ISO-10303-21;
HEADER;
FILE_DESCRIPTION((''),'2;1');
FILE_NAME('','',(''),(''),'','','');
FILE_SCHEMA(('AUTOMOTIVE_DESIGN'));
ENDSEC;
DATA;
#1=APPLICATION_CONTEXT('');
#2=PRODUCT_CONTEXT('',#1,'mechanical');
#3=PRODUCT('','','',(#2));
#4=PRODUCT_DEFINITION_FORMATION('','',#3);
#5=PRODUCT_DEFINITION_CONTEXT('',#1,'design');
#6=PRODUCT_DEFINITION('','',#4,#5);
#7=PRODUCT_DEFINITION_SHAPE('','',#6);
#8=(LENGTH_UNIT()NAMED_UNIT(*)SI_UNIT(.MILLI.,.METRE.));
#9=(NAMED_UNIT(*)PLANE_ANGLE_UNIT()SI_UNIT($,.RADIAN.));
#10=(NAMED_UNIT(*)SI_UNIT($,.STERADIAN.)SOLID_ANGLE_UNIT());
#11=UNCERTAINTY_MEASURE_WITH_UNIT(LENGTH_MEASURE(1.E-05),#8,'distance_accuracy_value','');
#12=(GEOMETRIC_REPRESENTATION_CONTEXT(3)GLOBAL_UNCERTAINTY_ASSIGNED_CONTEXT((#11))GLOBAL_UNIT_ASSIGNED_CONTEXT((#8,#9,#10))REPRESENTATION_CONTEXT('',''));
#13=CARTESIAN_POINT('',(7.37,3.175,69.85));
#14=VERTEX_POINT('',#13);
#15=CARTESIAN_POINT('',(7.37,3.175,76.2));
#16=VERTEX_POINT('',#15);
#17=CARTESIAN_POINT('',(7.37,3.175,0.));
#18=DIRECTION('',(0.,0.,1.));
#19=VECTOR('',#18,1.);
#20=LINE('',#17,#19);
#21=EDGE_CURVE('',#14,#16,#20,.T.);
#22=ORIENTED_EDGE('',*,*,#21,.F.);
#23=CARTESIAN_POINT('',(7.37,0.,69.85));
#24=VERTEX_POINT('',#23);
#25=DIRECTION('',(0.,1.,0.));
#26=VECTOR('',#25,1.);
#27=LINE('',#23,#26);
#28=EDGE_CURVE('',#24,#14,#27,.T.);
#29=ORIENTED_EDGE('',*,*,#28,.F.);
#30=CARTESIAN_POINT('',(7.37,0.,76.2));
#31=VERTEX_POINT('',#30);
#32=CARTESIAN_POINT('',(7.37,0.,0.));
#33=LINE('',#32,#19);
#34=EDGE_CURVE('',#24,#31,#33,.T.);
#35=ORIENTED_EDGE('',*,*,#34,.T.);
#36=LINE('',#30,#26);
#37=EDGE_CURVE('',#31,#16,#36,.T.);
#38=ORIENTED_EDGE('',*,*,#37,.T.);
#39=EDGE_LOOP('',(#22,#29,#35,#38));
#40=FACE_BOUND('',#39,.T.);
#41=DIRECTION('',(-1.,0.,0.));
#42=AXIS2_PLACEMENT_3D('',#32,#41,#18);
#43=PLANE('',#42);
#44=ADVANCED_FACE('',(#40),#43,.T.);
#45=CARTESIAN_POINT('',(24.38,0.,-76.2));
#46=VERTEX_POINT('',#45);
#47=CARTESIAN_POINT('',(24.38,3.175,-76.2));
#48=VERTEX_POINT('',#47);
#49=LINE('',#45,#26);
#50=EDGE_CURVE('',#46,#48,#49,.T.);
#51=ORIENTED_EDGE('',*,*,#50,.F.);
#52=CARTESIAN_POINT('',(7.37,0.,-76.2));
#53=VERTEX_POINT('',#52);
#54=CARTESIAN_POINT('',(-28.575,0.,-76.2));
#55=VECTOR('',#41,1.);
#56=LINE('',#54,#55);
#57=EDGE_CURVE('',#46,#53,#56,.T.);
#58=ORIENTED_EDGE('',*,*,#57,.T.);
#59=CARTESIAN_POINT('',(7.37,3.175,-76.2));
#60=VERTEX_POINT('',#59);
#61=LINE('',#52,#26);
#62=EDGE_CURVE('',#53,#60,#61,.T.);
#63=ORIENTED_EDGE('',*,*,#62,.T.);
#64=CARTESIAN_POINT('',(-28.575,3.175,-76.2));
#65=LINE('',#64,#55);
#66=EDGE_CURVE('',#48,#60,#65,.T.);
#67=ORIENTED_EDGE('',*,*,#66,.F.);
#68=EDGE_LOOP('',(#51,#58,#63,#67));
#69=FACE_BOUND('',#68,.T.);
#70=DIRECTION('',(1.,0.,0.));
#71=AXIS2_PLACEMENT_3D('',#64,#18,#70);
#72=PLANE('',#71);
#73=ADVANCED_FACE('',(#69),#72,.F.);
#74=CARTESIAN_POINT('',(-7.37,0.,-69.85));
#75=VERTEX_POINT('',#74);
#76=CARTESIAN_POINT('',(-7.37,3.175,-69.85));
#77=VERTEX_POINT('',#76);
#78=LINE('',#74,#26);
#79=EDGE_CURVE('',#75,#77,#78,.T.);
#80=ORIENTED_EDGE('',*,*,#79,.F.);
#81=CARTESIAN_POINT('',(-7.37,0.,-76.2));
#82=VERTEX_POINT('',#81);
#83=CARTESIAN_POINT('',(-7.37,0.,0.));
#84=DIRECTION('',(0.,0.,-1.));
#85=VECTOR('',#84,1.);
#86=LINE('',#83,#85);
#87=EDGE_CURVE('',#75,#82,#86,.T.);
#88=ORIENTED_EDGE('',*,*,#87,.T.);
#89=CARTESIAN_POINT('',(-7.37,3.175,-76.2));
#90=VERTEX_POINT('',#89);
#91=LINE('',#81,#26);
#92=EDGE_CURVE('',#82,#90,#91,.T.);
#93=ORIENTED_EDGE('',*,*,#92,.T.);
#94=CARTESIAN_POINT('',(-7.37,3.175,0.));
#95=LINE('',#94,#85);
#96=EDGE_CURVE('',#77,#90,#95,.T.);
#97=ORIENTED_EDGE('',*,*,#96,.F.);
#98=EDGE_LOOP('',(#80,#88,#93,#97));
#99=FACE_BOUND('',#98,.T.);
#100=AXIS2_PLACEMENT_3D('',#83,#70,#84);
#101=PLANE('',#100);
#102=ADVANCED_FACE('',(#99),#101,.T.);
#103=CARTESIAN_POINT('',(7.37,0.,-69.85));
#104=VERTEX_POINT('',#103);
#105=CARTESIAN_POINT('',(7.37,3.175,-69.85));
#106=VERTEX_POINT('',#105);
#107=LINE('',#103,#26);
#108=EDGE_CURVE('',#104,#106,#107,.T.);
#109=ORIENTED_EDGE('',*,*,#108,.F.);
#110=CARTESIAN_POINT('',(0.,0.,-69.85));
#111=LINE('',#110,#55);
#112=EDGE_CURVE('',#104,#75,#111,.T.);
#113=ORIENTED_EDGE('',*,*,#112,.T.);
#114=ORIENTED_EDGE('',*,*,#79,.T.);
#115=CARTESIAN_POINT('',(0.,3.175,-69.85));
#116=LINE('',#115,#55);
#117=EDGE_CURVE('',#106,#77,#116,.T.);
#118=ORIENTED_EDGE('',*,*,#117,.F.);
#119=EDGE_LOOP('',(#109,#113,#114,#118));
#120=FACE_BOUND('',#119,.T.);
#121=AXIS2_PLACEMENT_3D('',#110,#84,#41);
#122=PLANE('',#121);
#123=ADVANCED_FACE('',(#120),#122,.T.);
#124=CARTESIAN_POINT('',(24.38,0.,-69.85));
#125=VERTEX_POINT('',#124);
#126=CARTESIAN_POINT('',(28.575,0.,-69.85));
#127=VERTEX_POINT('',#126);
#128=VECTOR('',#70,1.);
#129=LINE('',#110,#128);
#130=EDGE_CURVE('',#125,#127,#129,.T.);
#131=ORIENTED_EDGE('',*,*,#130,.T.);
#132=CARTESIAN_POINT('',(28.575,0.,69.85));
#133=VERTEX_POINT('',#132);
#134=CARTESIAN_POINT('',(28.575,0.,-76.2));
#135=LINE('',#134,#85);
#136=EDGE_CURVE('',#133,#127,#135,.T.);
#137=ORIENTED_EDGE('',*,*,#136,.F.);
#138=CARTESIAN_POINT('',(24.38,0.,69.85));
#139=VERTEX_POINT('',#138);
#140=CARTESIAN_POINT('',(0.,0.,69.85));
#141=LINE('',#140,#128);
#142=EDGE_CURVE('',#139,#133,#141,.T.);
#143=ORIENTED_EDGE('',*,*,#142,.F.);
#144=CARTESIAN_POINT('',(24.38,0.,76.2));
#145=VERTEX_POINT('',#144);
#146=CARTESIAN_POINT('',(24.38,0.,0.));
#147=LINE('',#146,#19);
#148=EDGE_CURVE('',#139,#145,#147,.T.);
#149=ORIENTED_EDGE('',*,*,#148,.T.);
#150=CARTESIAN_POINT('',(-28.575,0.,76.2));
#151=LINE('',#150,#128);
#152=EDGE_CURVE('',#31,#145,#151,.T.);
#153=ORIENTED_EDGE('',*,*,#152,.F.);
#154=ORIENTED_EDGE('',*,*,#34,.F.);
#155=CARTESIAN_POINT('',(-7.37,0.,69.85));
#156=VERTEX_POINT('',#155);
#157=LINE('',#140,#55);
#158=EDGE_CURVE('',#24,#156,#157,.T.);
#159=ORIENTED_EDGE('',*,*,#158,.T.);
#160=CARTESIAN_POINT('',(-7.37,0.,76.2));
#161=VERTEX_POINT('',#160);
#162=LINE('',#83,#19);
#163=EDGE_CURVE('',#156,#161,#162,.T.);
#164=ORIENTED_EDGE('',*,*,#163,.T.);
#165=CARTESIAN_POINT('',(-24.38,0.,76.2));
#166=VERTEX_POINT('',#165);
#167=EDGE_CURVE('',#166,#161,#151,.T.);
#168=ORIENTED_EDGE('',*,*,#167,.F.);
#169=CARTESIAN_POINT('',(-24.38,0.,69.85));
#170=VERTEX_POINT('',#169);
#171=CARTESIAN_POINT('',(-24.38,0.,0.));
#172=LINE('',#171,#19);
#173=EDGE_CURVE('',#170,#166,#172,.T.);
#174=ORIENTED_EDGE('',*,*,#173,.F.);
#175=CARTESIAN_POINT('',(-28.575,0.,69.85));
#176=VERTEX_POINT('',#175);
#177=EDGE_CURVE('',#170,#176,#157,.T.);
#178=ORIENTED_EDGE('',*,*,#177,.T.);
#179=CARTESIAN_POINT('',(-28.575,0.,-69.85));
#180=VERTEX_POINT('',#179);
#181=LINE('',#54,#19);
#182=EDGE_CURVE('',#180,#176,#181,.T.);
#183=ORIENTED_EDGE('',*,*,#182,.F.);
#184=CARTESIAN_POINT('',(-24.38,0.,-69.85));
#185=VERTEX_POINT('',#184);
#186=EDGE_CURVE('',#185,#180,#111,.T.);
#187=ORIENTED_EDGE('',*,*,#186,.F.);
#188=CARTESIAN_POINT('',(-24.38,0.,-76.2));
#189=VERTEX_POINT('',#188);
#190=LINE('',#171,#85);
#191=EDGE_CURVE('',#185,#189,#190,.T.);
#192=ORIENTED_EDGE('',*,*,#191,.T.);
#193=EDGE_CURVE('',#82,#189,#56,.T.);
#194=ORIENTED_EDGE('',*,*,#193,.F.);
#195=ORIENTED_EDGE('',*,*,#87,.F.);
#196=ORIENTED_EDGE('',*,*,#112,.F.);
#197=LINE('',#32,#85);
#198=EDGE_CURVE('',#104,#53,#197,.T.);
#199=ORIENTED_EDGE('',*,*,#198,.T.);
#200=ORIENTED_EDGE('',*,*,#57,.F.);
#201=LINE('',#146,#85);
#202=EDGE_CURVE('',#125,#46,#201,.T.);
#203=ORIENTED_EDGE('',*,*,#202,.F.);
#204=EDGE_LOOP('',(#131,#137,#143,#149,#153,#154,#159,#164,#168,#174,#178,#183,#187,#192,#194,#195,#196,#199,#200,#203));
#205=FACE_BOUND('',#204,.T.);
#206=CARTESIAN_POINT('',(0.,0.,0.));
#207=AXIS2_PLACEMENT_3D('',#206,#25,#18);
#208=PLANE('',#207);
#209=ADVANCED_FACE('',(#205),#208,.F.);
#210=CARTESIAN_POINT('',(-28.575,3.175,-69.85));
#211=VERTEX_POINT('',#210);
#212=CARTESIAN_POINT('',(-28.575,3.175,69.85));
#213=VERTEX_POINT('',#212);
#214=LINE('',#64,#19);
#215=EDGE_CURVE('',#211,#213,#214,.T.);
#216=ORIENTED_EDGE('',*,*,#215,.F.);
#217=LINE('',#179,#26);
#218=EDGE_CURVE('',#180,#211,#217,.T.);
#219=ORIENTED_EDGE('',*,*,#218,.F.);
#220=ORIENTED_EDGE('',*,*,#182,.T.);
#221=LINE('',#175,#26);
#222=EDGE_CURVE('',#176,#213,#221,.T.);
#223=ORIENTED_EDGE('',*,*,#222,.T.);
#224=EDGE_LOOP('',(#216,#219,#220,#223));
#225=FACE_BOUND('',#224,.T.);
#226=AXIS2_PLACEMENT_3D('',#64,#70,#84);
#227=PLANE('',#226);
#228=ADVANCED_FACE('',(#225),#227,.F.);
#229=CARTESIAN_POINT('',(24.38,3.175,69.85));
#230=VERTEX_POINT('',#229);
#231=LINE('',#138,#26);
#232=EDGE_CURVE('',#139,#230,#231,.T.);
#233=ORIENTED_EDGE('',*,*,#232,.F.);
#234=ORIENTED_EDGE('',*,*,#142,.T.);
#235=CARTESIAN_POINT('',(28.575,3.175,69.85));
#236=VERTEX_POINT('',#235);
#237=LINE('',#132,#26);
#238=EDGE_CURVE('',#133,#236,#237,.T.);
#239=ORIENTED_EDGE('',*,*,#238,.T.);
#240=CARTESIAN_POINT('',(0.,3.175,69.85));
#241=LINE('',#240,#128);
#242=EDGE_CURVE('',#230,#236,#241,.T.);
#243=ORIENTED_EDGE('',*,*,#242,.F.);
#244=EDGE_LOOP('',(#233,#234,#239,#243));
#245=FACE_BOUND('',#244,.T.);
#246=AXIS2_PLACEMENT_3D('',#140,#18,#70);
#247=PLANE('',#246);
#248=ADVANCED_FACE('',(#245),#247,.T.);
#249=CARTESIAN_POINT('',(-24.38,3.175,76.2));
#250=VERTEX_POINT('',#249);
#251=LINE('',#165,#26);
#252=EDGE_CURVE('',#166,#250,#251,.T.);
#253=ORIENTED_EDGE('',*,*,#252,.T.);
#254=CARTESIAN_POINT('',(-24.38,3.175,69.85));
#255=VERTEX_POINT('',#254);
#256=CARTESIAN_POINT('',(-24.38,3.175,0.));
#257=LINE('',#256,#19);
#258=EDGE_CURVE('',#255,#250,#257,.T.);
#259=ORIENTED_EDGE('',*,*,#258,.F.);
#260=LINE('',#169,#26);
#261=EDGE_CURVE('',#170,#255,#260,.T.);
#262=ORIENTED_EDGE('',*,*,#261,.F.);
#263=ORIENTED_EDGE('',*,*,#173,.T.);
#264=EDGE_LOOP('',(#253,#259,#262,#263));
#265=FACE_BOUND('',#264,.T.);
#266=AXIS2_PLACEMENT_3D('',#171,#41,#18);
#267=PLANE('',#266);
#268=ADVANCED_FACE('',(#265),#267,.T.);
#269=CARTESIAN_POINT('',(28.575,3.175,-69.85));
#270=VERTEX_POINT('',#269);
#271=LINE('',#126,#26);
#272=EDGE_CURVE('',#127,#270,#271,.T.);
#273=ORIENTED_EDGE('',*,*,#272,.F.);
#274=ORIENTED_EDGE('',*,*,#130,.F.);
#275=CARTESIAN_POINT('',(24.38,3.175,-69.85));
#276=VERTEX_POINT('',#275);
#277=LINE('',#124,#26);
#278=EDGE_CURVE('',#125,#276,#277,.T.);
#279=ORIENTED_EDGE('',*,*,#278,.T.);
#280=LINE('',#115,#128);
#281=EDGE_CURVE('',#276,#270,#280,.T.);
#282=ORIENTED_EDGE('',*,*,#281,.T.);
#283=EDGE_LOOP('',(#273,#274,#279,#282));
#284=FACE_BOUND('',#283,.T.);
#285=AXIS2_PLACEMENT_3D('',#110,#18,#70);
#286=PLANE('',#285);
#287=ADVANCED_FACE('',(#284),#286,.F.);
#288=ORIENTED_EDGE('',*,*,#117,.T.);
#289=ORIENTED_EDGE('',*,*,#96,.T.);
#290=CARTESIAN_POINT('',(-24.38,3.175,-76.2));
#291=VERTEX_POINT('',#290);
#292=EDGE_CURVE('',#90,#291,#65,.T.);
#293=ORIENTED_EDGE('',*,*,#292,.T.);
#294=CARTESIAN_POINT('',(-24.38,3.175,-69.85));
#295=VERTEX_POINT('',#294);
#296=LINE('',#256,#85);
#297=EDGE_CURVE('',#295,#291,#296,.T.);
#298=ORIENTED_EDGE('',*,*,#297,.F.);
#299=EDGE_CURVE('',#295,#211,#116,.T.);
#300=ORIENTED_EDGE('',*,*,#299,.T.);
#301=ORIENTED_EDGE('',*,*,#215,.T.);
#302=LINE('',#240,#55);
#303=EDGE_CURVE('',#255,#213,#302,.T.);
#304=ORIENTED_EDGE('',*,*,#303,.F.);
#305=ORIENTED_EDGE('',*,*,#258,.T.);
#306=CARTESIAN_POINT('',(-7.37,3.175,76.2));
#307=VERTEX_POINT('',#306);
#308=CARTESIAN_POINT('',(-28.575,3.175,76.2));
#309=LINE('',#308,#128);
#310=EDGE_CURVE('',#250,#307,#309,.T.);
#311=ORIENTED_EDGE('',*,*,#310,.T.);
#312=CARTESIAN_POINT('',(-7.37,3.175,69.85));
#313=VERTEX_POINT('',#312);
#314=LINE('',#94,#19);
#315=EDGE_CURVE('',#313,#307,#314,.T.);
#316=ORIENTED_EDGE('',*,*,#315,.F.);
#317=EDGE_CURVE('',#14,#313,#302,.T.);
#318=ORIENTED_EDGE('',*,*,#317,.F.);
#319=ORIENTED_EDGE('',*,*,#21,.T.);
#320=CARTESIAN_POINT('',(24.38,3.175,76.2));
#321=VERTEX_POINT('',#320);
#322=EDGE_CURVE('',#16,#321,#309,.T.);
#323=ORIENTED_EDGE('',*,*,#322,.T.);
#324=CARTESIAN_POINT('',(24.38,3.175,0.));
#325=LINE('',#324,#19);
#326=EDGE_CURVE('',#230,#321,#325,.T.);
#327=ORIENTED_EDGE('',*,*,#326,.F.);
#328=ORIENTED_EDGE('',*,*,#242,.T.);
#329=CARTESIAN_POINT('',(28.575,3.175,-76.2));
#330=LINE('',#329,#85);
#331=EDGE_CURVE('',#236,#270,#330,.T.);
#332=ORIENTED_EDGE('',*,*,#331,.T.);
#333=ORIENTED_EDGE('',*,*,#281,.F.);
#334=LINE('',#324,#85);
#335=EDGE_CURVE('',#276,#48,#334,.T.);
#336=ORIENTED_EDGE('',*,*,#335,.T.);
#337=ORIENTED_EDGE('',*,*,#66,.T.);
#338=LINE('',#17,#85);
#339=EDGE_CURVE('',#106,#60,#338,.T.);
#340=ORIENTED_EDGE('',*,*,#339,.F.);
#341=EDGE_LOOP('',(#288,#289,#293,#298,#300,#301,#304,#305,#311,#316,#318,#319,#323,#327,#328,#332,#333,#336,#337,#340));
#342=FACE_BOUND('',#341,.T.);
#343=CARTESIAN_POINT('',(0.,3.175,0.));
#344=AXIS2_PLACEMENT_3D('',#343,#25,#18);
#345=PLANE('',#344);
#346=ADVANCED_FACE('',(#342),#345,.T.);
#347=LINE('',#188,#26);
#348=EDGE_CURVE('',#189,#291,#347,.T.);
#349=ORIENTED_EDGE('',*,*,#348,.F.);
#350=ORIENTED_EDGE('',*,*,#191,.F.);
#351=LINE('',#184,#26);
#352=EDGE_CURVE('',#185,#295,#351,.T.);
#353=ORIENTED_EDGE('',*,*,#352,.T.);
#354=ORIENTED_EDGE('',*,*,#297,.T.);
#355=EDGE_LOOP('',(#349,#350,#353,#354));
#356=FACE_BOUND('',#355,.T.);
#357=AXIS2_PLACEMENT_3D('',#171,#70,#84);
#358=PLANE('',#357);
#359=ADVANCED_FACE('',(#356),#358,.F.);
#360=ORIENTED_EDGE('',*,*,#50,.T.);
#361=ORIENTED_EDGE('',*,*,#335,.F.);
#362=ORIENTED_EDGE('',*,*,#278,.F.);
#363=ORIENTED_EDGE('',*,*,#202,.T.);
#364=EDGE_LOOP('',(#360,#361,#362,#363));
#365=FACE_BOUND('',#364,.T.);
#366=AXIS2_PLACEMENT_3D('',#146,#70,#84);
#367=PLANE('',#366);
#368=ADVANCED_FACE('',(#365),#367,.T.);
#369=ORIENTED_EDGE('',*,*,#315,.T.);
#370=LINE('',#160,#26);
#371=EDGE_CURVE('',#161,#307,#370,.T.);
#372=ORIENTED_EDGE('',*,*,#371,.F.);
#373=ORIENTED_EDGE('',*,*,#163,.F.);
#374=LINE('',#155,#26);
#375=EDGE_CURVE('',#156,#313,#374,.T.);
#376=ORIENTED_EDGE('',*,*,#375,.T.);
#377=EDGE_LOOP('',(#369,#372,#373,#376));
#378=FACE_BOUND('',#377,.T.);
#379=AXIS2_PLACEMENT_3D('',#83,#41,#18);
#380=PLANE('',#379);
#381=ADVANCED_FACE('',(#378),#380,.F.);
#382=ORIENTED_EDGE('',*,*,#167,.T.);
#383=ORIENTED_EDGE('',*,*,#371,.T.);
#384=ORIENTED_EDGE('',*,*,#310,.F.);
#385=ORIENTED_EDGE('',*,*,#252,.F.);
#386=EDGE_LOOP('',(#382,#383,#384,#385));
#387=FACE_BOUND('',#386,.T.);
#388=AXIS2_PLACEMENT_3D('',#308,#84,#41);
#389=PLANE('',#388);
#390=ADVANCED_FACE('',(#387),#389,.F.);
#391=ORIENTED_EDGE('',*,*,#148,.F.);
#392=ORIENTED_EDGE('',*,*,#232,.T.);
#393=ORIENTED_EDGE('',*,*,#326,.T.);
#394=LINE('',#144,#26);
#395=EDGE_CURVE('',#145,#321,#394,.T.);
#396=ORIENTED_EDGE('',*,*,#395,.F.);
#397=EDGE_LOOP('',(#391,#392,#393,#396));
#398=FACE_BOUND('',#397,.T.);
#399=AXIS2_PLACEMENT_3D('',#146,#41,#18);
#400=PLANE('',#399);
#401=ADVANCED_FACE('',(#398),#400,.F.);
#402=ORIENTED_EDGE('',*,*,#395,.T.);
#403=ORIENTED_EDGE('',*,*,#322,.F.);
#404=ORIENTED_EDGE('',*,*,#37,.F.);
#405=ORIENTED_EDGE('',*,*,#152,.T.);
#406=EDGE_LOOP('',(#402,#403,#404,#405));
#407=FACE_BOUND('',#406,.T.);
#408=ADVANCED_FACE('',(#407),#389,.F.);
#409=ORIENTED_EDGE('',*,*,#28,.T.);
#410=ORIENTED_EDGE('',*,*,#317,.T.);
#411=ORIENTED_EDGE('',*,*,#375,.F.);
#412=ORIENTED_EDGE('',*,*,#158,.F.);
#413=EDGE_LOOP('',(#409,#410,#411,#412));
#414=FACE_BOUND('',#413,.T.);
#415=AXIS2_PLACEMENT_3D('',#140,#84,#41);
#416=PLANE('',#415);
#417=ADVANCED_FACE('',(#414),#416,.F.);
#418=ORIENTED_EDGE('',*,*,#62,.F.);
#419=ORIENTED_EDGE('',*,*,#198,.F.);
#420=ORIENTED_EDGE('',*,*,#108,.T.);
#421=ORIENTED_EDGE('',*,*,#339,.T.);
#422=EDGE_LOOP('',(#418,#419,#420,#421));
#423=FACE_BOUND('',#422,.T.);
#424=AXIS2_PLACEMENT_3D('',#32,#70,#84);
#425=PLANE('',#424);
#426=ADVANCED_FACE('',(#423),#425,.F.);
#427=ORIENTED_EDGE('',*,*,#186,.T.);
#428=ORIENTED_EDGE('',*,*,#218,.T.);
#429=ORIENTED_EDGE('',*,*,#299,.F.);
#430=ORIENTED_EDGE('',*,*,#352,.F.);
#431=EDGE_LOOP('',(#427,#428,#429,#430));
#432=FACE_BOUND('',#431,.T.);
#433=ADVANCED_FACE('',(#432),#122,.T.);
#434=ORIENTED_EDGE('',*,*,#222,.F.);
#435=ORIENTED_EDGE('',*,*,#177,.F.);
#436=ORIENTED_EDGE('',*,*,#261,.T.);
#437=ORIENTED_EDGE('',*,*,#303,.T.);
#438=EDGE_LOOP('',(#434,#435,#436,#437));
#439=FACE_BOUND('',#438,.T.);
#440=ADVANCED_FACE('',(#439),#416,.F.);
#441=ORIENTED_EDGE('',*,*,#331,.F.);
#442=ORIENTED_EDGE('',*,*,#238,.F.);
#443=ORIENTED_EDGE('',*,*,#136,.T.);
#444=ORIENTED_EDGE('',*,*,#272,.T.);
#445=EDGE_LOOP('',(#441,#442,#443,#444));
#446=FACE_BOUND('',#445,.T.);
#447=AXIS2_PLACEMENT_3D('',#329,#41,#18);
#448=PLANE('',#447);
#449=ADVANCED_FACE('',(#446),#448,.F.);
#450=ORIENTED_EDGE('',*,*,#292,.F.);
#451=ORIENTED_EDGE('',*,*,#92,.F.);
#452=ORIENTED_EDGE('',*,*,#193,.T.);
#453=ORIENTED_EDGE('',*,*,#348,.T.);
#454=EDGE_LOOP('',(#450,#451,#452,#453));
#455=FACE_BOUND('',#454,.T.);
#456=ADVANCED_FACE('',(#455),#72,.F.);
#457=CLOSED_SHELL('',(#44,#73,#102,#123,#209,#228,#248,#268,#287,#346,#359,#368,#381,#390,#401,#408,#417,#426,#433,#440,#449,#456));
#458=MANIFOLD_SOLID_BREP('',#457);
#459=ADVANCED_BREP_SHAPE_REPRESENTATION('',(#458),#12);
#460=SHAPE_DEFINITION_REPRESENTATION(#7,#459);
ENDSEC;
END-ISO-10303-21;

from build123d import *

# Parameters (mm, degrees)
SKETCH1_W           = 57.15
SKETCH1_H           = 152.4
BOSS_EXTRUDE1_DEPTH = 3.175
SKETCH2_W           = 4.195
SKETCH2_H           = 6.35
SKETCH2_W_2         = 7.37
CUT_EXTRUDE1_DEPTH  = 4.175


with BuildPart() as part:
    # Sketch1 → Boss-Extrude1 (new body)
    with BuildSketch(Plane(origin=(0, 0, 0), x_dir=(1, 0, 0), z_dir=(0, 1, 0))):
        Rectangle(SKETCH1_W, SKETCH1_H)
    extrude(amount=BOSS_EXTRUDE1_DEPTH)

    # Sketch2 → Cut-Extrude1 (cut, through all)
    with BuildSketch(Plane(origin=(0, 3.175, 0), x_dir=(1, 0, 0), z_dir=(0, 1, 0))):
        with Locations((-26.4775, -73.025)):
            Rectangle(SKETCH2_W, SKETCH2_H)
        with Locations((-3.685, -73.025)):
            Rectangle(SKETCH2_W_2, SKETCH2_H)
        with Locations((3.685, -73.025)):
            Rectangle(SKETCH2_W_2, SKETCH2_H)
        with Locations((26.4775, -73.025)):
            Rectangle(SKETCH2_W, SKETCH2_H)
    cut_extrude1 = extrude(amount=-CUT_EXTRUDE1_DEPTH, mode=Mode.SUBTRACT)

    # Mirror1: Cut-Extrude1 across plane
    add(cut_extrude1.mirror(Plane.XY), mode=Mode.SUBTRACT)


solid = part.part
